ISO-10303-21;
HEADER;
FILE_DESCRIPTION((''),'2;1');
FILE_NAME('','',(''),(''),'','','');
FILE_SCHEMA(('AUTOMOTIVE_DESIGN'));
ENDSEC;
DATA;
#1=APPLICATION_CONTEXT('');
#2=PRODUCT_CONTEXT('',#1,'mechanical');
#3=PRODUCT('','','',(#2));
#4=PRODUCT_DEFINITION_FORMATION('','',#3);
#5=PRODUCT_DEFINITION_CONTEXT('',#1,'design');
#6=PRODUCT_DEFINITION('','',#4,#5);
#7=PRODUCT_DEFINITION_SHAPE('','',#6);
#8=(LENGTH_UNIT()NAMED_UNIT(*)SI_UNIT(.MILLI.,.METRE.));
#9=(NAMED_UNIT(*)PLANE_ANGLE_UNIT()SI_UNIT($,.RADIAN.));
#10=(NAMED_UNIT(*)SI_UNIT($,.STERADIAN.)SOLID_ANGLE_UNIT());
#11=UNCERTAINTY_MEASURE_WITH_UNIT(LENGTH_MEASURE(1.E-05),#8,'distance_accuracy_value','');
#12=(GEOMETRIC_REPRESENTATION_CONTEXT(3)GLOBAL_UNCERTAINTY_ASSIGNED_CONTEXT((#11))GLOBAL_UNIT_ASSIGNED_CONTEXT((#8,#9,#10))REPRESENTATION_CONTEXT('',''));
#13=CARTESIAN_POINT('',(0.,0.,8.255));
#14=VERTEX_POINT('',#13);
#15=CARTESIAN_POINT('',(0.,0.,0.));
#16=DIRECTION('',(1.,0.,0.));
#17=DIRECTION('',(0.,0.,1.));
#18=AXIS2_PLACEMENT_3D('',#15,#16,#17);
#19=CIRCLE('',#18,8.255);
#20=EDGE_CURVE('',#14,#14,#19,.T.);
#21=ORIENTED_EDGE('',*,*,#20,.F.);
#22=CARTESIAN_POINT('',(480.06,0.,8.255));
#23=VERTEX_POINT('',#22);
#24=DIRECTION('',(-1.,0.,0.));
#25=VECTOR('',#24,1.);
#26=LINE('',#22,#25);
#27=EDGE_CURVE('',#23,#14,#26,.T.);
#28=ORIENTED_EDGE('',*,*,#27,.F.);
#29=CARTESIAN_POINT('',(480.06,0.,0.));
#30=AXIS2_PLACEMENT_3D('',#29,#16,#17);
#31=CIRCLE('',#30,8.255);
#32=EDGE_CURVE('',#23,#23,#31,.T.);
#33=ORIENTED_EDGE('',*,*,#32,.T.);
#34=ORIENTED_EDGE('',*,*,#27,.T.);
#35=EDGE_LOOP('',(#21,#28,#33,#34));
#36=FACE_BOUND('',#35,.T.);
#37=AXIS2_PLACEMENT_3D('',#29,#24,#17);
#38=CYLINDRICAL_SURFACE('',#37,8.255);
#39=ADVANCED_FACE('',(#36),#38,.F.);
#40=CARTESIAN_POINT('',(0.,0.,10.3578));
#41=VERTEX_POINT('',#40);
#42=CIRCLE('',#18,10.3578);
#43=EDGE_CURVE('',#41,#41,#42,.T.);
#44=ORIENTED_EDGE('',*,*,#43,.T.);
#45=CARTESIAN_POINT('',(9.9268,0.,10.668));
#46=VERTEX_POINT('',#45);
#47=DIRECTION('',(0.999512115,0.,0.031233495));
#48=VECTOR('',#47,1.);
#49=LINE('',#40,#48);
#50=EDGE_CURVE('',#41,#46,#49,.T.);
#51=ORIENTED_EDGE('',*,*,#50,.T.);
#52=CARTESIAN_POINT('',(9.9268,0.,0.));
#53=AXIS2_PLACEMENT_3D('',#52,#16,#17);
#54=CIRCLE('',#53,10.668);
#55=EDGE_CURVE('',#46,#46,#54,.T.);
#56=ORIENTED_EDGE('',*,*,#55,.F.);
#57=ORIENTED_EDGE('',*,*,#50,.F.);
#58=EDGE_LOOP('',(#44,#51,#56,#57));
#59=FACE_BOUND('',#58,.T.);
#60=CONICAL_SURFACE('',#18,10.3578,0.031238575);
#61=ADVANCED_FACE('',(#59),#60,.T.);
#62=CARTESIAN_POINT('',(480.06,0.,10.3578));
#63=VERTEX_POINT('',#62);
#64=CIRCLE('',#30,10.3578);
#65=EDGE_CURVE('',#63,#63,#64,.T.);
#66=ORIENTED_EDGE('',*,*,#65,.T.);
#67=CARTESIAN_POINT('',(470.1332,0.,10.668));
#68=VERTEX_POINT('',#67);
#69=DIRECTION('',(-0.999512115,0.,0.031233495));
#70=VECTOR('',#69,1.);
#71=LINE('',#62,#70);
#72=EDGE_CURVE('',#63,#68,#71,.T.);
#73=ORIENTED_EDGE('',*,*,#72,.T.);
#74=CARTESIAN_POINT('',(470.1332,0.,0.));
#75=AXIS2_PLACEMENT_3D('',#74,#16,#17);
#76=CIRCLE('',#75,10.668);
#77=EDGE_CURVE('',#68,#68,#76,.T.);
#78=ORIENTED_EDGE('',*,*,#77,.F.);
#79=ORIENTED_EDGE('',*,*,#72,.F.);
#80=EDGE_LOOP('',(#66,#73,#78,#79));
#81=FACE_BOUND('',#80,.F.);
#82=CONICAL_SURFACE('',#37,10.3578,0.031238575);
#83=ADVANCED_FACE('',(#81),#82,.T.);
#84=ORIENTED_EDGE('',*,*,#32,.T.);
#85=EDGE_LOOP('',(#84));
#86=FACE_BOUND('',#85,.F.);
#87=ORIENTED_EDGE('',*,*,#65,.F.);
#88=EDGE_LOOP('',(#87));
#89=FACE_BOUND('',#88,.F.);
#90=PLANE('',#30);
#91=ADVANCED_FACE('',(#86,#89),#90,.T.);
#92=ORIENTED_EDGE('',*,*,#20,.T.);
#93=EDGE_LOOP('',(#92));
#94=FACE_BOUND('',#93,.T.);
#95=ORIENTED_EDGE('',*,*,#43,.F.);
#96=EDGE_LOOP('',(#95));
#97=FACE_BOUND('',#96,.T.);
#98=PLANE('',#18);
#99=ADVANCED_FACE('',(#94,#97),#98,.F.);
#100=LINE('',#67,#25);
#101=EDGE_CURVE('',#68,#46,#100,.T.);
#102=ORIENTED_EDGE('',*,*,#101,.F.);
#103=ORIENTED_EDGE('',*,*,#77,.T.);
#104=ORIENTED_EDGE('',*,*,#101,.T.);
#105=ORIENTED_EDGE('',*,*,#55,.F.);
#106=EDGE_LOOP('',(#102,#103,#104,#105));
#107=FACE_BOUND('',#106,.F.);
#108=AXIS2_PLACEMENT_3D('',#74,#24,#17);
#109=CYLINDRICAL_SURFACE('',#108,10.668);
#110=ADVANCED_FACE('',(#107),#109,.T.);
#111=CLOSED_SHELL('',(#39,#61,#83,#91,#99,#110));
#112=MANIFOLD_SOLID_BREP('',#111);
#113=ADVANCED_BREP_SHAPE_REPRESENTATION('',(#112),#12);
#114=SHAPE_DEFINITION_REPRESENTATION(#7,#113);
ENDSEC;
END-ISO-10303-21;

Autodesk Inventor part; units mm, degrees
ref_plane "YZ Plane" through (0, 0, 0) normal (1, 0, 0) x (0, 1, 0)
ref_plane "XZ Plane" through (0, 0, 0) normal (0, 1, 0) x (-1, 0, 0)
ref_plane "XY Plane" through (0, 0, 0) normal (0, 0, 1) x (1, 0, 0)
sketch "Sketch1" plane through (0, 0, 0) normal (0, 1, 0) x (-1, 0, 0)
  line L0 (0, 0) -> (-480.06, 0)
  line L1 (-480.06, 0) -> (-480.06, 8.255) construction
  line L2 (-480.06, 8.255) -> (-480.06, 10.3578)
  line L3 (-480.06, 10.3578) -> (-470.1332, 10.668)
  line L4 (-470.1332, 10.668) -> (-9.9268, 10.668)
  line L5 (-240.03, 0) -> (-240.03, 10.668) construction
  line L6 (-480.06, 8.255) -> (0, 8.255)
  line L7 (0, 0) -> (0, 8.255) construction
  line L8 (0, 8.255) -> (0, 10.3578)
  line L9 (0, 10.3578) -> (-9.9268, 10.668)
  line L10 (-466.504, 10.7814) -> (-466.504, 0) construction
  line L11 (-13.556, 10.7814) -> (-13.556, 0) construction
  line L12 (-470.1332, 10.668) -> (-466.504, 10.7814) construction
  line L13 (-470.1332, 10.668) -> (-470.1332, 0) construction
  line L14 (-9.9268, 10.668) -> (-13.556, 10.7814) construction
  line L15 (-9.9268, 10.668) -> (-9.9268, 0) construction
  dimension "d0" = 21.336
  dimension "d1" = 1.79
  dimension "d2" = 16.51
  dimension "d3" = 480.06
  dimension "d4" = 13.556
  dimension "d5" = 21.5628
revolve "Revolution1" add sketch "Sketch1" angle 360 about axis through (0, 0, 0) along (1, 0, 0)
thread "Thread1" size "1/2" designation "1/2 - 14 NPT" standard "NPT" full length
thread "Thread2" size "1/2" designation "1/2 - 14 NPT" standard "NPT" full length
equation "\"d0\" = OD"
equation "\"d2\" = ID"
equation "\"d3\" = L"
equation "\"d4\" = L2"
equation "\"d5\" = D2"
equation "\"OD\" = 21.336"
equation "\"t\" = 2.413"
equation "\"L\" = PL"
equation "\"L4\" = 19.8501"
equation "\"ID\" = 16.51"
equation "\"PL\" = 480.06"
equation "\"D2\" = 21.56282"
equation "\"L2\" = 13.55598"
equation "\"Size_Designation\" = 1.2345"
equation "\"PLmin\" = 2 * L2"
properties material "Steel, Wrought"
